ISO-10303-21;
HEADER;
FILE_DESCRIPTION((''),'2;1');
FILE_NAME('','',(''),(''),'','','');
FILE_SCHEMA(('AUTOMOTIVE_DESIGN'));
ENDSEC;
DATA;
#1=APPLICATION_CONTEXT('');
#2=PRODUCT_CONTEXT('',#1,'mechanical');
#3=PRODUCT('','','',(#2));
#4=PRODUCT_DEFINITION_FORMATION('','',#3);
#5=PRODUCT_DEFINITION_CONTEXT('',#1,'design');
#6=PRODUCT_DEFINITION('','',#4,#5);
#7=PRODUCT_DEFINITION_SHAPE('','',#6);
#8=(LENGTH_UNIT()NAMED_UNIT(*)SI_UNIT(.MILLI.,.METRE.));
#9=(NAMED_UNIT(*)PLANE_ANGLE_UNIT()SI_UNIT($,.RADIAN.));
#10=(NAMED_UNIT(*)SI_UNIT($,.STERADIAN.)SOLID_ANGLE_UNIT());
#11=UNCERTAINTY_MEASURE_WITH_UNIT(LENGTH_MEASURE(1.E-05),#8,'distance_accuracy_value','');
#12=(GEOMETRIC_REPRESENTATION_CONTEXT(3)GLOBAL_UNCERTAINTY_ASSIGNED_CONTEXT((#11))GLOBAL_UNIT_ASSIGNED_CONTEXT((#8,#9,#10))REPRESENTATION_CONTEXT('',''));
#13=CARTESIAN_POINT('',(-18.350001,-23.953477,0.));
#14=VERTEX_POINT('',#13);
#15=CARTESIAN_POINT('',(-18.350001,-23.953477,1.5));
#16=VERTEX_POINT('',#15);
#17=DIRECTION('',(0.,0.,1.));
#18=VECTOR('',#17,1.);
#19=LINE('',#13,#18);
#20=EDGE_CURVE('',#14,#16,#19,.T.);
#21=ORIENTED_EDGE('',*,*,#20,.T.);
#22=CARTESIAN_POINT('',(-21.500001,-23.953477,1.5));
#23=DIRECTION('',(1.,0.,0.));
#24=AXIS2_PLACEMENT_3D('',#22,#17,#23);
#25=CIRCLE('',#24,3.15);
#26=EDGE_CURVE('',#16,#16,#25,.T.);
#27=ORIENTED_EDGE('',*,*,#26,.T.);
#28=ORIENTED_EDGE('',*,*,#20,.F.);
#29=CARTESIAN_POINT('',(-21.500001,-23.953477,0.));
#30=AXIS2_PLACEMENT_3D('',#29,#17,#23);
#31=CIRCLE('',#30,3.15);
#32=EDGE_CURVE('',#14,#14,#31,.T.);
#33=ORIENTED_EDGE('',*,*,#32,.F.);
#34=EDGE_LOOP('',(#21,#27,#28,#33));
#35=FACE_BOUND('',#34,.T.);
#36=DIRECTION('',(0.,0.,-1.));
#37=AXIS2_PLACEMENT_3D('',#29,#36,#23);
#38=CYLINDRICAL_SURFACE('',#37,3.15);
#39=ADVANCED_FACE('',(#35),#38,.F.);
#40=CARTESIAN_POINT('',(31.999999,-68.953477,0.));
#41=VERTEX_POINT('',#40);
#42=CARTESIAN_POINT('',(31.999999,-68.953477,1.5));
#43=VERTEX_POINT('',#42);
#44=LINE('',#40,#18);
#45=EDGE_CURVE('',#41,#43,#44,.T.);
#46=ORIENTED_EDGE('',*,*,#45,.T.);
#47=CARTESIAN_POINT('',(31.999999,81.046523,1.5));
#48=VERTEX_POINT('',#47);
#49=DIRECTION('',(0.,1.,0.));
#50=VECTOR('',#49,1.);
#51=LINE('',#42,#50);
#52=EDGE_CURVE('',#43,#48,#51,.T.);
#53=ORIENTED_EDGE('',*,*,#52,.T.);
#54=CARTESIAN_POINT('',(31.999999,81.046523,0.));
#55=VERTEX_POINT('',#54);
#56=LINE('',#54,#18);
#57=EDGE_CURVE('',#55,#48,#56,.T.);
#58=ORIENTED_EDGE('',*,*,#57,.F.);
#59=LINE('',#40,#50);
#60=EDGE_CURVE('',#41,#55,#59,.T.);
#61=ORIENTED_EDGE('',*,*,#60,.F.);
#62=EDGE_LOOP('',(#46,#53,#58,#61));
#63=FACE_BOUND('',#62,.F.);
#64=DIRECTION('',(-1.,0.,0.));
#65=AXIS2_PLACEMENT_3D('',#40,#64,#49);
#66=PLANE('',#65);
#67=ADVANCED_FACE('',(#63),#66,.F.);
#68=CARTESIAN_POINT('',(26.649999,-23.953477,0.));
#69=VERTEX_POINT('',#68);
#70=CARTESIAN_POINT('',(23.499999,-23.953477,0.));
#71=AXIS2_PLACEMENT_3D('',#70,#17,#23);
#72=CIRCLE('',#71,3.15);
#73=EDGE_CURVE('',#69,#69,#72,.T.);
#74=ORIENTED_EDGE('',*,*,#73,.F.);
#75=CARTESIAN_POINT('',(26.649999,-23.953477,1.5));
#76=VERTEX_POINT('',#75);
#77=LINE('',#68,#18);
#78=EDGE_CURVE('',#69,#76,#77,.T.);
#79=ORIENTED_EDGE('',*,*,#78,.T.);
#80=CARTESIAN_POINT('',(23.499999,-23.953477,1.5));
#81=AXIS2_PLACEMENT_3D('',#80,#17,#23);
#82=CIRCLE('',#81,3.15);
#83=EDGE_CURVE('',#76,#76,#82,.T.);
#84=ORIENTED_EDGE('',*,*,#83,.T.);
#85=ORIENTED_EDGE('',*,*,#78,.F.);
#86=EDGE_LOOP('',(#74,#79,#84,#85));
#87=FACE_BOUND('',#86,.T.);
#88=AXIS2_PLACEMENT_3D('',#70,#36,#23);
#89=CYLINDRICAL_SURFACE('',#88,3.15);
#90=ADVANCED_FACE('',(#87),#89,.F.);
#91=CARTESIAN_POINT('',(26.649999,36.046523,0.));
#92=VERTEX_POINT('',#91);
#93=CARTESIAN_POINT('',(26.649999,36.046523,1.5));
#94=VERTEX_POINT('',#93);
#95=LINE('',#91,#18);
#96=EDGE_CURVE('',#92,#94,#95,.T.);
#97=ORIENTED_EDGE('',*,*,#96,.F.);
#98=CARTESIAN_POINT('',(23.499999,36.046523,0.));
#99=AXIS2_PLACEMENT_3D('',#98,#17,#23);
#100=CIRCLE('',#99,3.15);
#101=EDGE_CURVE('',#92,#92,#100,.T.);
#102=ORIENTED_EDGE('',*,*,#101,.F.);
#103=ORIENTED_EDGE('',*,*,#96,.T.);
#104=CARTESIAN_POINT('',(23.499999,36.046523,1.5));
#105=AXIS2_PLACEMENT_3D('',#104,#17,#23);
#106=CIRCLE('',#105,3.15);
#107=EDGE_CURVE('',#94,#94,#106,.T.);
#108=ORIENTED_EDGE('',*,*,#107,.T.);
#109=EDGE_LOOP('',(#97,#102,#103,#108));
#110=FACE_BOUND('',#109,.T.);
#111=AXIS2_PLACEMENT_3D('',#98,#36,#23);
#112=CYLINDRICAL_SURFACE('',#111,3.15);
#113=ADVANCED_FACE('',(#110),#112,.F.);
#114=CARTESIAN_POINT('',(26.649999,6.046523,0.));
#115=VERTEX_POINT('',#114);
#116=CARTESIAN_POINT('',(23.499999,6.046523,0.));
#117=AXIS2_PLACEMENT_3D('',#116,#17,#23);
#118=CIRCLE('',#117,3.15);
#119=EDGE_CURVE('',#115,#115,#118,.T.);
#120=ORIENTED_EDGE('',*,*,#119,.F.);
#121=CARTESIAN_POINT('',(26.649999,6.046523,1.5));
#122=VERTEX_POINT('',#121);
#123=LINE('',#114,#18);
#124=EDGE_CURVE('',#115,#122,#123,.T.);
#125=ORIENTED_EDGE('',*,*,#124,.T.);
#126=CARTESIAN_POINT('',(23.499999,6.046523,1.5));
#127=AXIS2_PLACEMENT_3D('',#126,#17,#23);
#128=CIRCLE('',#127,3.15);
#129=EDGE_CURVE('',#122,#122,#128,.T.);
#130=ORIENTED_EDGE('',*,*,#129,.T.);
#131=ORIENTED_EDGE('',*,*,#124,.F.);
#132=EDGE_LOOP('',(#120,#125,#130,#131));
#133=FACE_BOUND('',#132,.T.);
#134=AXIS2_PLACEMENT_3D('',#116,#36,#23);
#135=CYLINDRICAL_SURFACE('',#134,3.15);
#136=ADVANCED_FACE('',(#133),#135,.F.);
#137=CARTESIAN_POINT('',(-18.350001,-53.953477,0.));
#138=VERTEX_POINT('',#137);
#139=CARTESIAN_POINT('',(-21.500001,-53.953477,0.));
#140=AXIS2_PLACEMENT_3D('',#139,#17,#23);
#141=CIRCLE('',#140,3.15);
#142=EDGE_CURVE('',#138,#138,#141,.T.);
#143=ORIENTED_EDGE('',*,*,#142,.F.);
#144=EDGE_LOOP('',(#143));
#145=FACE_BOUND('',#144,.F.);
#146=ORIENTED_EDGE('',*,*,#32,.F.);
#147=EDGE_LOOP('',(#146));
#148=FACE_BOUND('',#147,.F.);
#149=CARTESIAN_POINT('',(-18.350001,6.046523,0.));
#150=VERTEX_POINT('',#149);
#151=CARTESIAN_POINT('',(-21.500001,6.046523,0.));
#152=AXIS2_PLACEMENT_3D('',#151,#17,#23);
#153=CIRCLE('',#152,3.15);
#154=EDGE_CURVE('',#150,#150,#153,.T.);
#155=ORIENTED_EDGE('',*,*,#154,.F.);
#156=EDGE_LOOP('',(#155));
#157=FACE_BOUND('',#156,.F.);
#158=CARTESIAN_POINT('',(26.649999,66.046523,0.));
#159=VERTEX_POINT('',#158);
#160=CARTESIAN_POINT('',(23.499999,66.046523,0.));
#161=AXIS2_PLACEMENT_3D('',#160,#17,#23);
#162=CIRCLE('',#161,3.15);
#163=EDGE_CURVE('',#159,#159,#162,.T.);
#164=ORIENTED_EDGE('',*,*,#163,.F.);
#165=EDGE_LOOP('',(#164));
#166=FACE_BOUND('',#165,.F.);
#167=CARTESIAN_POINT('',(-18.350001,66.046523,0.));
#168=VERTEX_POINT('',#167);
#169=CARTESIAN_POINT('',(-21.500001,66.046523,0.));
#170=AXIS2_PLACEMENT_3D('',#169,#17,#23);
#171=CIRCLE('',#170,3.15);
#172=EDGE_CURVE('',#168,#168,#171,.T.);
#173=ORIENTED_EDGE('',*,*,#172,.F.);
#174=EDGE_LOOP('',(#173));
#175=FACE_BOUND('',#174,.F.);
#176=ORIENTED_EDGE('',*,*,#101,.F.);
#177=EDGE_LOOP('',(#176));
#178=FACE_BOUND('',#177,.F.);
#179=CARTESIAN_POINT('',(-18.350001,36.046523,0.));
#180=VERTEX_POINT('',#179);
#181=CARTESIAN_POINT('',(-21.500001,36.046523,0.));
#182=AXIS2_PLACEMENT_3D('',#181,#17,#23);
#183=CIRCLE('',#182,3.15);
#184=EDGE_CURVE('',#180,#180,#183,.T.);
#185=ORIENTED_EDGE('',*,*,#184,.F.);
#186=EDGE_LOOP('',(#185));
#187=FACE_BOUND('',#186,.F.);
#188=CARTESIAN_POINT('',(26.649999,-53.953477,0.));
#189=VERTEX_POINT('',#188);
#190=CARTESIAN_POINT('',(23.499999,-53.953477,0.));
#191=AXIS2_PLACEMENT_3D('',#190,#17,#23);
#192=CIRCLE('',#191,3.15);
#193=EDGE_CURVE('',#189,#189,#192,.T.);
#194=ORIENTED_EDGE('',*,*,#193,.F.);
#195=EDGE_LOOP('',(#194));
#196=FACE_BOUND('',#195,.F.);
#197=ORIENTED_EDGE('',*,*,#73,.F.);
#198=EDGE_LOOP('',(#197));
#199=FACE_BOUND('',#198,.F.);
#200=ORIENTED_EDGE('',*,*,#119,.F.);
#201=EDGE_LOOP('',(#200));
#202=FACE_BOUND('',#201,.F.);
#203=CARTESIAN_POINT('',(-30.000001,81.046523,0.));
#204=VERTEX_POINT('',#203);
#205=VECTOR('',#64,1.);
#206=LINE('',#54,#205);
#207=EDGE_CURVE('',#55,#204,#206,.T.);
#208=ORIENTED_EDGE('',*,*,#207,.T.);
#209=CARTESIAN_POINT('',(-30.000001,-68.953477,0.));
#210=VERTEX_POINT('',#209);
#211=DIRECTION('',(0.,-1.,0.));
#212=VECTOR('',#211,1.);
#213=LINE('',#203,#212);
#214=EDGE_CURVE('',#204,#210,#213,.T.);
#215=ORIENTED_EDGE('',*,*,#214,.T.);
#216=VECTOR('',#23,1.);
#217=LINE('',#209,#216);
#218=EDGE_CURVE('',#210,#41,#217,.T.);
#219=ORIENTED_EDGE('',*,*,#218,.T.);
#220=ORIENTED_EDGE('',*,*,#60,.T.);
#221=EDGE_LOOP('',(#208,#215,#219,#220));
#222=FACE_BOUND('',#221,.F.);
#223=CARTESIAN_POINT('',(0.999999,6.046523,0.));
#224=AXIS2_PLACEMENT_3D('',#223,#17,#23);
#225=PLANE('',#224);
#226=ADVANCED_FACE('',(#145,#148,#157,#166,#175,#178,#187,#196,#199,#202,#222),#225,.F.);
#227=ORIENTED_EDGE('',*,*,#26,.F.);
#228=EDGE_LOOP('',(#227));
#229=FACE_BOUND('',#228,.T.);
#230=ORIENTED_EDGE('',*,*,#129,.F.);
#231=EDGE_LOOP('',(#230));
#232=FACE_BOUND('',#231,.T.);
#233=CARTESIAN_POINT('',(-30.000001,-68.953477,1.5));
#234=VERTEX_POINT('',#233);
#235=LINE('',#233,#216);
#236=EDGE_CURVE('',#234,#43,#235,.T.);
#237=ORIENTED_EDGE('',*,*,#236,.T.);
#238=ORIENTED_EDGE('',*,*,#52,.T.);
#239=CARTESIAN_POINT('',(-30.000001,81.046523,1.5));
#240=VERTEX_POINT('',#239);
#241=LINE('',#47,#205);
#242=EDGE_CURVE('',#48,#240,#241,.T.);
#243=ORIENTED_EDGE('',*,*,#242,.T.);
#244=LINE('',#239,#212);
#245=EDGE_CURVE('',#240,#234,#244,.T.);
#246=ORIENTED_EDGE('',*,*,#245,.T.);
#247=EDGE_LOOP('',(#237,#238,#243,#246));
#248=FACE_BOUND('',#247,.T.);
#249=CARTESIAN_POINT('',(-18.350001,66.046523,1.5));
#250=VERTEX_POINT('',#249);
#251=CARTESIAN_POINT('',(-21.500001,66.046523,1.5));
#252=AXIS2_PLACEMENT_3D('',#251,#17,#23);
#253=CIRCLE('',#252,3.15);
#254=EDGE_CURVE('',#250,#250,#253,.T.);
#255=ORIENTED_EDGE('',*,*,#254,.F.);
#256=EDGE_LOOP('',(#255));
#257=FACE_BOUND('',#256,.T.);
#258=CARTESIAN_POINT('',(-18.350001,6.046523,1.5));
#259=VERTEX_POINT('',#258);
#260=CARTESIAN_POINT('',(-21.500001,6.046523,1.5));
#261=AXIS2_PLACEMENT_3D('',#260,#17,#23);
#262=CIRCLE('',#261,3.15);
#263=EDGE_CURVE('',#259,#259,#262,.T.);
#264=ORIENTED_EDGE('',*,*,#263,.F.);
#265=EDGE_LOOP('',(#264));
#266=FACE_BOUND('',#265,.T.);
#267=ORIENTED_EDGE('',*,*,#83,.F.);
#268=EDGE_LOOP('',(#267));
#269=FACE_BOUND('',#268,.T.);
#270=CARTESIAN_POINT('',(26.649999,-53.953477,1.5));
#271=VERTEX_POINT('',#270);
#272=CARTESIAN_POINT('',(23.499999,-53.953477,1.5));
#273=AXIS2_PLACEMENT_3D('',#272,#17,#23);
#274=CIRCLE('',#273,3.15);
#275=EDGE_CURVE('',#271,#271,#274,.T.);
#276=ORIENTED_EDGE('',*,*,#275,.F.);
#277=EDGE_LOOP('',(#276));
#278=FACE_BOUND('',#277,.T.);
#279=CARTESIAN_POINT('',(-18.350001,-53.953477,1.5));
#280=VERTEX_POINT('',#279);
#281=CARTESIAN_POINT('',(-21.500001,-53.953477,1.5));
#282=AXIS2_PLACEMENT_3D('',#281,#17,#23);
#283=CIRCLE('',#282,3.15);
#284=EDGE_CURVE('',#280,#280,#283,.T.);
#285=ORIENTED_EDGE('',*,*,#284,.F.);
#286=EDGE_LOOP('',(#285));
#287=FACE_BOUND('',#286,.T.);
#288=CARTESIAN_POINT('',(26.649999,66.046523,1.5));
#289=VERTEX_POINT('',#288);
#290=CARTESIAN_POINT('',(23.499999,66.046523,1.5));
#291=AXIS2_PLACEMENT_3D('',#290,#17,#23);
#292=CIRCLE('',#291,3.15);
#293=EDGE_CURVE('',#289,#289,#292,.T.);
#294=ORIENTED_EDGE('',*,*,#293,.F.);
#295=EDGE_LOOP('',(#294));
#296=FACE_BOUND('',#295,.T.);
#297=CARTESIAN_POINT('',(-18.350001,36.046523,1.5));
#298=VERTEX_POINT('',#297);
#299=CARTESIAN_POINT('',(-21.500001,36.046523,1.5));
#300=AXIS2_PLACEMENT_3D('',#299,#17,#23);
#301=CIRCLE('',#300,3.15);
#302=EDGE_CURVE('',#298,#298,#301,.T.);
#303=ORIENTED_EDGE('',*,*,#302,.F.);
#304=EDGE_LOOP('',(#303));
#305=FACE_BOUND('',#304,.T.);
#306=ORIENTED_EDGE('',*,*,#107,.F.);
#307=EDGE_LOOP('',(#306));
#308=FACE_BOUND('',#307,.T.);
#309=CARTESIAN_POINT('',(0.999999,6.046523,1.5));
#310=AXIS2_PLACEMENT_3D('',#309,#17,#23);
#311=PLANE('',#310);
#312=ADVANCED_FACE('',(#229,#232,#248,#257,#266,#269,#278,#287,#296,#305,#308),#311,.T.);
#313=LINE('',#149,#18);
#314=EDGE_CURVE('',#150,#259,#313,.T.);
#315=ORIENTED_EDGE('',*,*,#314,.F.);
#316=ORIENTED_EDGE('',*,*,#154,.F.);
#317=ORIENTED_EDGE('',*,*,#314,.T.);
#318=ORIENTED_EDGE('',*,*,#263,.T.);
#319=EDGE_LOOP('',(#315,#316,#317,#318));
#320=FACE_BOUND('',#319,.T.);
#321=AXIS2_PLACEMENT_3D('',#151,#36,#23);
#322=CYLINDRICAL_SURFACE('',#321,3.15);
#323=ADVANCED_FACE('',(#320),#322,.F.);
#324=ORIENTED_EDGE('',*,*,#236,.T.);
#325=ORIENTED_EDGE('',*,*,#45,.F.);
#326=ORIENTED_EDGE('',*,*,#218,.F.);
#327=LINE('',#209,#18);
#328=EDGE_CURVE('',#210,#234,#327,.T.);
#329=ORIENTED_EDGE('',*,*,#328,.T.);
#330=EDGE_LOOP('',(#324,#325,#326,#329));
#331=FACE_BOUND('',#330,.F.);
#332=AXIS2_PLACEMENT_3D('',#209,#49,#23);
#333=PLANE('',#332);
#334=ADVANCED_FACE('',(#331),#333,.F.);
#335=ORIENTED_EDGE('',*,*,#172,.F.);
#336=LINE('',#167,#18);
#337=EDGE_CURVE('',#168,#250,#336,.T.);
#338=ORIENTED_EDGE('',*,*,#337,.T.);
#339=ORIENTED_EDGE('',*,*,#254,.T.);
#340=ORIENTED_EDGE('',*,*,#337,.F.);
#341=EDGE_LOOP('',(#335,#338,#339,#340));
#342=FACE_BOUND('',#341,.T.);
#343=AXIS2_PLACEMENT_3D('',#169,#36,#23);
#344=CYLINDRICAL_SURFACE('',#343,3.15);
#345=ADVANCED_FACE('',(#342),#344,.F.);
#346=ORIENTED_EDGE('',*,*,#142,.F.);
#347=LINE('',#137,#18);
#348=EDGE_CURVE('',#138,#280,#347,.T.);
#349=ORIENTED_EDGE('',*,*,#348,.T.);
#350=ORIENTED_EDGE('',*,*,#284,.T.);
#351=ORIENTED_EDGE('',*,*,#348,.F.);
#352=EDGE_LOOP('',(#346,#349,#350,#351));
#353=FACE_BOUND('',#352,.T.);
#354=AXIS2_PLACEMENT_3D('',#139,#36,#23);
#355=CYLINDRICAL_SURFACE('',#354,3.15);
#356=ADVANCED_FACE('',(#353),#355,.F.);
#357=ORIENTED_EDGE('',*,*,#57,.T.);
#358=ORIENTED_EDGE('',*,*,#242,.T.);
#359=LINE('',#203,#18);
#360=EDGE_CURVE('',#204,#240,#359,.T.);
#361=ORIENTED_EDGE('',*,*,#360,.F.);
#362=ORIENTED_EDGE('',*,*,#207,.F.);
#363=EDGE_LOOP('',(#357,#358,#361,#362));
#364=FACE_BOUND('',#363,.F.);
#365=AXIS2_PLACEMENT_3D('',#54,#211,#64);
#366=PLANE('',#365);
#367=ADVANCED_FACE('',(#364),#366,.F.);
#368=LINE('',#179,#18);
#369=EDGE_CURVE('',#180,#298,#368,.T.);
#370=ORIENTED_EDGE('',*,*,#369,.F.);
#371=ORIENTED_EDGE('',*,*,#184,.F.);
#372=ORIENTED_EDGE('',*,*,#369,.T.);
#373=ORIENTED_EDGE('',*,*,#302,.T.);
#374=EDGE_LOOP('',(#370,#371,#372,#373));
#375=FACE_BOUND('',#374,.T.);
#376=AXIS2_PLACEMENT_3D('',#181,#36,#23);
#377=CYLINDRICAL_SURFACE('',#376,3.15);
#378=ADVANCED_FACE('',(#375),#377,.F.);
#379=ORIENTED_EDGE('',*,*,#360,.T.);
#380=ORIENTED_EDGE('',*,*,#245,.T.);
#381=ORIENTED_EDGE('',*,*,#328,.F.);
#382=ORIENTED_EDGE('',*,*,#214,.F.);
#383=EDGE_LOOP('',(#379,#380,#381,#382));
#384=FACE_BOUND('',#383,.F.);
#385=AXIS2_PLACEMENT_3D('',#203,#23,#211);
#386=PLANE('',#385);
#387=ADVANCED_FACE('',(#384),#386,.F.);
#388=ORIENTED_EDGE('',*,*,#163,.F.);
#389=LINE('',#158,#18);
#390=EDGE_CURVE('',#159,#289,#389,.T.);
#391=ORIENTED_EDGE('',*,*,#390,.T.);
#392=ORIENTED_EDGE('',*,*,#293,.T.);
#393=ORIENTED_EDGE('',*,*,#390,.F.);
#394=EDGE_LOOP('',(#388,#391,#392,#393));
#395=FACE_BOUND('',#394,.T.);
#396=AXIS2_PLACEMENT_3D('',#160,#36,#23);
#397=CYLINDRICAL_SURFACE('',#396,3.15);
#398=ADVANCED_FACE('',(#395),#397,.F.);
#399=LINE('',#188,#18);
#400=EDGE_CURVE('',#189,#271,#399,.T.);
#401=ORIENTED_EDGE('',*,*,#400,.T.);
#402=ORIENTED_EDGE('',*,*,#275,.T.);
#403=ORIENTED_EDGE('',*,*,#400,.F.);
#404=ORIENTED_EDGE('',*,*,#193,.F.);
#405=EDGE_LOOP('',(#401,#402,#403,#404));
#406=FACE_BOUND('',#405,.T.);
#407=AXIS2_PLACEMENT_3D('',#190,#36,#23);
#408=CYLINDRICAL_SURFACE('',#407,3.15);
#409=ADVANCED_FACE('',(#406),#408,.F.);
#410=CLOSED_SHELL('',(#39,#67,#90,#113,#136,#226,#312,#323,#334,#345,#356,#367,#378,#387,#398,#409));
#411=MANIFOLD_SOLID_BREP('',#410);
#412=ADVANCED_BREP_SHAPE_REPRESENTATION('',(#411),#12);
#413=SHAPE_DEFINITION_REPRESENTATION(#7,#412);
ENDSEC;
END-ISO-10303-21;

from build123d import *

# Parameters (mm, degrees)
F0_R     = 3.15
F1_DEPTH = 1.5


with BuildPart() as f1:
    # F0 (on Top) → F1 (new body)
    with BuildSketch(Plane.XY):
        Polygon((31.999999, -68.953477), (31.999999, 81.046523), (4.999999, 81.046523), (-3.000001, 81.046523), (-30.000001, 81.046523), (-30.000001, -68.953477), (-3.000001, -68.953477), (4.999999, -68.953477), align=None)
        with Locations((-21.500001, -53.953477)):
            Circle(F0_R, mode=Mode.SUBTRACT)
        with Locations((-21.500001, -23.953477)):
            Circle(F0_R, mode=Mode.SUBTRACT)
        with Locations((23.499999, -53.953477)):
            Circle(F0_R, mode=Mode.SUBTRACT)
        with Locations((23.499999, -23.953477)):
            Circle(F0_R, mode=Mode.SUBTRACT)
        with Locations((-21.500001, 6.046523)):
            Circle(F0_R, mode=Mode.SUBTRACT)
        with Locations((-21.500001, 36.046523)):
            Circle(F0_R, mode=Mode.SUBTRACT)
        with Locations((-21.500001, 66.046523)):
            Circle(F0_R, mode=Mode.SUBTRACT)
        with Locations((23.499999, 6.046523)):
            Circle(F0_R, mode=Mode.SUBTRACT)
        with Locations((23.499999, 36.046523)):
            Circle(F0_R, mode=Mode.SUBTRACT)
        with Locations((23.499999, 66.046523)):
            Circle(F0_R, mode=Mode.SUBTRACT)
    extrude(amount=F1_DEPTH)


solid = f1.part
